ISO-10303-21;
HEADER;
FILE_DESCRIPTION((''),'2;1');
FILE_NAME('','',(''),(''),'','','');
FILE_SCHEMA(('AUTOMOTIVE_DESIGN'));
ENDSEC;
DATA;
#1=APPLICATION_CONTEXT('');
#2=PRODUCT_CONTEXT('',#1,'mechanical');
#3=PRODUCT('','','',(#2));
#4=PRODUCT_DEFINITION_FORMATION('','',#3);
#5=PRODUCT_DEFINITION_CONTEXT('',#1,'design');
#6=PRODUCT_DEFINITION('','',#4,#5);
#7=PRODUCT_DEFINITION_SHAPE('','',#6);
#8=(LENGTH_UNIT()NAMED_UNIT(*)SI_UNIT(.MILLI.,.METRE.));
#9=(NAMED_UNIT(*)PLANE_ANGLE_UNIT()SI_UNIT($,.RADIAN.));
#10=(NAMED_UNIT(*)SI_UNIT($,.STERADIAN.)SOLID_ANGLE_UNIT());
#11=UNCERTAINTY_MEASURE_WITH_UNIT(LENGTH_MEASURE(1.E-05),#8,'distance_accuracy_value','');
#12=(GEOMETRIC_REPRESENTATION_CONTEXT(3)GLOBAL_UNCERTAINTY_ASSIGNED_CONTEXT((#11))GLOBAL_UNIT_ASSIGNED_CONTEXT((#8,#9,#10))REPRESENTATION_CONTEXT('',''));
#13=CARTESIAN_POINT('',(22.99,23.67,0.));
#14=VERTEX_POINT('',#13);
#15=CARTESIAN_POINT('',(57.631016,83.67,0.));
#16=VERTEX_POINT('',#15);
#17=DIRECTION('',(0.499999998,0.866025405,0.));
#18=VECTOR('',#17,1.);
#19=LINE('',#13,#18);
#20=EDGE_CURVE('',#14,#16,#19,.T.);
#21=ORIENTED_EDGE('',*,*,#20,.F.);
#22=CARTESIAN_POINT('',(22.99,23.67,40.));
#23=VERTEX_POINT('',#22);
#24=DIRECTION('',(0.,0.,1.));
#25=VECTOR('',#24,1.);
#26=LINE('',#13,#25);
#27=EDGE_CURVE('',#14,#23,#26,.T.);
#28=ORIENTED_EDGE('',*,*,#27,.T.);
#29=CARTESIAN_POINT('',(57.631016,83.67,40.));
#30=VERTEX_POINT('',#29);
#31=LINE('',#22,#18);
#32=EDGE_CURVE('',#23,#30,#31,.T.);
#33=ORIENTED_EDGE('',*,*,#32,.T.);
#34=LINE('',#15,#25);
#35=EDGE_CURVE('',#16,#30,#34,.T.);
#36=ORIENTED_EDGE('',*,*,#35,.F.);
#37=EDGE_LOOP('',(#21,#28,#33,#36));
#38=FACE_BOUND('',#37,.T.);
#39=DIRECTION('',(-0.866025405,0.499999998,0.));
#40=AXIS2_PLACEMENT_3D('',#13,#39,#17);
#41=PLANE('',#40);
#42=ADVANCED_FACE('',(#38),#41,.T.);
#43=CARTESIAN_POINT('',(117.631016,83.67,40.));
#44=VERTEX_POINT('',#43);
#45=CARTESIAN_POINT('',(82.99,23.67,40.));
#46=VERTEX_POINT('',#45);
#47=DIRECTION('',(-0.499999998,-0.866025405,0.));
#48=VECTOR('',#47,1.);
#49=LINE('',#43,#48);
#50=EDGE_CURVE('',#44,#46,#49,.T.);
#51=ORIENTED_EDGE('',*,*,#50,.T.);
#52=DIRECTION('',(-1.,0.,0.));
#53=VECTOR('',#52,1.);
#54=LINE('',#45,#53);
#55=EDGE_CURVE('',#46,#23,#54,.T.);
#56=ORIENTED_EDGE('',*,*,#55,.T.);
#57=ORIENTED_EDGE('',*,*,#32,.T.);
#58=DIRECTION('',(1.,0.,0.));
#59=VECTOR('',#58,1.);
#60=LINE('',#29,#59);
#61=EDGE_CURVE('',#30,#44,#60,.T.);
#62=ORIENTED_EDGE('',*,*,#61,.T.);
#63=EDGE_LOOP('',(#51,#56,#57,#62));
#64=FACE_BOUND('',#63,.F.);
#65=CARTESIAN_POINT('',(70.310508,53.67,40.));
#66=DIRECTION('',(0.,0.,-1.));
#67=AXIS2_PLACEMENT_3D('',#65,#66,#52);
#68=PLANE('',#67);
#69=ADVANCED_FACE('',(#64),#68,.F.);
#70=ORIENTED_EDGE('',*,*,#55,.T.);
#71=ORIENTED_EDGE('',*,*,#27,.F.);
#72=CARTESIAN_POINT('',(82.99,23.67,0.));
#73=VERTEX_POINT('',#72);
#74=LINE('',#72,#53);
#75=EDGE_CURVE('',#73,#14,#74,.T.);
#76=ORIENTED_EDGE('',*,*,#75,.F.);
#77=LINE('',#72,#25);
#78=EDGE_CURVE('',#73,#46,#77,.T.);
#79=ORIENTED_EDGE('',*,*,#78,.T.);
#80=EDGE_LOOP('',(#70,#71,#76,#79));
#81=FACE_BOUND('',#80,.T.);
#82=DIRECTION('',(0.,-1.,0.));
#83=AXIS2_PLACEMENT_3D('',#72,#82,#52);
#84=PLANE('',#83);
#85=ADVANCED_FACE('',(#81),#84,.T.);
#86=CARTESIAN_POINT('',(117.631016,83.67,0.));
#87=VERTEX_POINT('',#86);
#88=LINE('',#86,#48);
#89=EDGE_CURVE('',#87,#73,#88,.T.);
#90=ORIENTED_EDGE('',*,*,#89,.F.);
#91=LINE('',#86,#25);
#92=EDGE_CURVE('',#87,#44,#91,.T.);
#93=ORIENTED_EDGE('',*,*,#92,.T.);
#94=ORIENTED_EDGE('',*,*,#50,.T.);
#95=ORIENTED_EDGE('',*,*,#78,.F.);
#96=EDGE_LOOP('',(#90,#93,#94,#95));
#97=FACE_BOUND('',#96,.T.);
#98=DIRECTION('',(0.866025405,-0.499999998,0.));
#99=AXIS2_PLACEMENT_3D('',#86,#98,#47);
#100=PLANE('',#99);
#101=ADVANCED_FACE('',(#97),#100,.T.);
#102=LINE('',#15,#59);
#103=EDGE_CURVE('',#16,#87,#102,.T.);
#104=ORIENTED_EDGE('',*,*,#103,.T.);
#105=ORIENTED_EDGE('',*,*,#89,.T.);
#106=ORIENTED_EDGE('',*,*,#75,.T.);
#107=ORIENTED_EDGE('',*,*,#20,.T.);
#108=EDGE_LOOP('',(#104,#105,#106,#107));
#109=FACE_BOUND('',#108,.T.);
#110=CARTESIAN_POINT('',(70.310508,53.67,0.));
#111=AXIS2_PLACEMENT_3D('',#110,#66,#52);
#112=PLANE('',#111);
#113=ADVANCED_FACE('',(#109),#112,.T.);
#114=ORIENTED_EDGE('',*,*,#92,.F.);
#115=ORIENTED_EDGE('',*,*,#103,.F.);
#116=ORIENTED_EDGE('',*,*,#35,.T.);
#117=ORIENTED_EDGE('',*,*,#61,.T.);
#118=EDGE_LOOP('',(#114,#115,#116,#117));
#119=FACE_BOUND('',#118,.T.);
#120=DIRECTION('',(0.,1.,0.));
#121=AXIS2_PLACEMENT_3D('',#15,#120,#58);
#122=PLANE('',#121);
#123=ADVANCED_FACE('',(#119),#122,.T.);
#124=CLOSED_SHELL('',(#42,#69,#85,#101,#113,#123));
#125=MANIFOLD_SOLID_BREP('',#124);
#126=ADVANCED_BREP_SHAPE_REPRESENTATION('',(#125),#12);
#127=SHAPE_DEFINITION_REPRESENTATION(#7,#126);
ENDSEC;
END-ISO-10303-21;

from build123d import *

# Parameters (mm, degrees)
PAD_DEPTH = 40


with BuildPart() as part:
    # Sketch → Pad (new body)
    with BuildSketch(Plane.XY):
        Polygon((57.631016, 83.67), (117.631016, 83.67), (82.99, 23.67), (22.99, 23.67), align=None)
    extrude(amount=PAD_DEPTH)


solid = part.part
